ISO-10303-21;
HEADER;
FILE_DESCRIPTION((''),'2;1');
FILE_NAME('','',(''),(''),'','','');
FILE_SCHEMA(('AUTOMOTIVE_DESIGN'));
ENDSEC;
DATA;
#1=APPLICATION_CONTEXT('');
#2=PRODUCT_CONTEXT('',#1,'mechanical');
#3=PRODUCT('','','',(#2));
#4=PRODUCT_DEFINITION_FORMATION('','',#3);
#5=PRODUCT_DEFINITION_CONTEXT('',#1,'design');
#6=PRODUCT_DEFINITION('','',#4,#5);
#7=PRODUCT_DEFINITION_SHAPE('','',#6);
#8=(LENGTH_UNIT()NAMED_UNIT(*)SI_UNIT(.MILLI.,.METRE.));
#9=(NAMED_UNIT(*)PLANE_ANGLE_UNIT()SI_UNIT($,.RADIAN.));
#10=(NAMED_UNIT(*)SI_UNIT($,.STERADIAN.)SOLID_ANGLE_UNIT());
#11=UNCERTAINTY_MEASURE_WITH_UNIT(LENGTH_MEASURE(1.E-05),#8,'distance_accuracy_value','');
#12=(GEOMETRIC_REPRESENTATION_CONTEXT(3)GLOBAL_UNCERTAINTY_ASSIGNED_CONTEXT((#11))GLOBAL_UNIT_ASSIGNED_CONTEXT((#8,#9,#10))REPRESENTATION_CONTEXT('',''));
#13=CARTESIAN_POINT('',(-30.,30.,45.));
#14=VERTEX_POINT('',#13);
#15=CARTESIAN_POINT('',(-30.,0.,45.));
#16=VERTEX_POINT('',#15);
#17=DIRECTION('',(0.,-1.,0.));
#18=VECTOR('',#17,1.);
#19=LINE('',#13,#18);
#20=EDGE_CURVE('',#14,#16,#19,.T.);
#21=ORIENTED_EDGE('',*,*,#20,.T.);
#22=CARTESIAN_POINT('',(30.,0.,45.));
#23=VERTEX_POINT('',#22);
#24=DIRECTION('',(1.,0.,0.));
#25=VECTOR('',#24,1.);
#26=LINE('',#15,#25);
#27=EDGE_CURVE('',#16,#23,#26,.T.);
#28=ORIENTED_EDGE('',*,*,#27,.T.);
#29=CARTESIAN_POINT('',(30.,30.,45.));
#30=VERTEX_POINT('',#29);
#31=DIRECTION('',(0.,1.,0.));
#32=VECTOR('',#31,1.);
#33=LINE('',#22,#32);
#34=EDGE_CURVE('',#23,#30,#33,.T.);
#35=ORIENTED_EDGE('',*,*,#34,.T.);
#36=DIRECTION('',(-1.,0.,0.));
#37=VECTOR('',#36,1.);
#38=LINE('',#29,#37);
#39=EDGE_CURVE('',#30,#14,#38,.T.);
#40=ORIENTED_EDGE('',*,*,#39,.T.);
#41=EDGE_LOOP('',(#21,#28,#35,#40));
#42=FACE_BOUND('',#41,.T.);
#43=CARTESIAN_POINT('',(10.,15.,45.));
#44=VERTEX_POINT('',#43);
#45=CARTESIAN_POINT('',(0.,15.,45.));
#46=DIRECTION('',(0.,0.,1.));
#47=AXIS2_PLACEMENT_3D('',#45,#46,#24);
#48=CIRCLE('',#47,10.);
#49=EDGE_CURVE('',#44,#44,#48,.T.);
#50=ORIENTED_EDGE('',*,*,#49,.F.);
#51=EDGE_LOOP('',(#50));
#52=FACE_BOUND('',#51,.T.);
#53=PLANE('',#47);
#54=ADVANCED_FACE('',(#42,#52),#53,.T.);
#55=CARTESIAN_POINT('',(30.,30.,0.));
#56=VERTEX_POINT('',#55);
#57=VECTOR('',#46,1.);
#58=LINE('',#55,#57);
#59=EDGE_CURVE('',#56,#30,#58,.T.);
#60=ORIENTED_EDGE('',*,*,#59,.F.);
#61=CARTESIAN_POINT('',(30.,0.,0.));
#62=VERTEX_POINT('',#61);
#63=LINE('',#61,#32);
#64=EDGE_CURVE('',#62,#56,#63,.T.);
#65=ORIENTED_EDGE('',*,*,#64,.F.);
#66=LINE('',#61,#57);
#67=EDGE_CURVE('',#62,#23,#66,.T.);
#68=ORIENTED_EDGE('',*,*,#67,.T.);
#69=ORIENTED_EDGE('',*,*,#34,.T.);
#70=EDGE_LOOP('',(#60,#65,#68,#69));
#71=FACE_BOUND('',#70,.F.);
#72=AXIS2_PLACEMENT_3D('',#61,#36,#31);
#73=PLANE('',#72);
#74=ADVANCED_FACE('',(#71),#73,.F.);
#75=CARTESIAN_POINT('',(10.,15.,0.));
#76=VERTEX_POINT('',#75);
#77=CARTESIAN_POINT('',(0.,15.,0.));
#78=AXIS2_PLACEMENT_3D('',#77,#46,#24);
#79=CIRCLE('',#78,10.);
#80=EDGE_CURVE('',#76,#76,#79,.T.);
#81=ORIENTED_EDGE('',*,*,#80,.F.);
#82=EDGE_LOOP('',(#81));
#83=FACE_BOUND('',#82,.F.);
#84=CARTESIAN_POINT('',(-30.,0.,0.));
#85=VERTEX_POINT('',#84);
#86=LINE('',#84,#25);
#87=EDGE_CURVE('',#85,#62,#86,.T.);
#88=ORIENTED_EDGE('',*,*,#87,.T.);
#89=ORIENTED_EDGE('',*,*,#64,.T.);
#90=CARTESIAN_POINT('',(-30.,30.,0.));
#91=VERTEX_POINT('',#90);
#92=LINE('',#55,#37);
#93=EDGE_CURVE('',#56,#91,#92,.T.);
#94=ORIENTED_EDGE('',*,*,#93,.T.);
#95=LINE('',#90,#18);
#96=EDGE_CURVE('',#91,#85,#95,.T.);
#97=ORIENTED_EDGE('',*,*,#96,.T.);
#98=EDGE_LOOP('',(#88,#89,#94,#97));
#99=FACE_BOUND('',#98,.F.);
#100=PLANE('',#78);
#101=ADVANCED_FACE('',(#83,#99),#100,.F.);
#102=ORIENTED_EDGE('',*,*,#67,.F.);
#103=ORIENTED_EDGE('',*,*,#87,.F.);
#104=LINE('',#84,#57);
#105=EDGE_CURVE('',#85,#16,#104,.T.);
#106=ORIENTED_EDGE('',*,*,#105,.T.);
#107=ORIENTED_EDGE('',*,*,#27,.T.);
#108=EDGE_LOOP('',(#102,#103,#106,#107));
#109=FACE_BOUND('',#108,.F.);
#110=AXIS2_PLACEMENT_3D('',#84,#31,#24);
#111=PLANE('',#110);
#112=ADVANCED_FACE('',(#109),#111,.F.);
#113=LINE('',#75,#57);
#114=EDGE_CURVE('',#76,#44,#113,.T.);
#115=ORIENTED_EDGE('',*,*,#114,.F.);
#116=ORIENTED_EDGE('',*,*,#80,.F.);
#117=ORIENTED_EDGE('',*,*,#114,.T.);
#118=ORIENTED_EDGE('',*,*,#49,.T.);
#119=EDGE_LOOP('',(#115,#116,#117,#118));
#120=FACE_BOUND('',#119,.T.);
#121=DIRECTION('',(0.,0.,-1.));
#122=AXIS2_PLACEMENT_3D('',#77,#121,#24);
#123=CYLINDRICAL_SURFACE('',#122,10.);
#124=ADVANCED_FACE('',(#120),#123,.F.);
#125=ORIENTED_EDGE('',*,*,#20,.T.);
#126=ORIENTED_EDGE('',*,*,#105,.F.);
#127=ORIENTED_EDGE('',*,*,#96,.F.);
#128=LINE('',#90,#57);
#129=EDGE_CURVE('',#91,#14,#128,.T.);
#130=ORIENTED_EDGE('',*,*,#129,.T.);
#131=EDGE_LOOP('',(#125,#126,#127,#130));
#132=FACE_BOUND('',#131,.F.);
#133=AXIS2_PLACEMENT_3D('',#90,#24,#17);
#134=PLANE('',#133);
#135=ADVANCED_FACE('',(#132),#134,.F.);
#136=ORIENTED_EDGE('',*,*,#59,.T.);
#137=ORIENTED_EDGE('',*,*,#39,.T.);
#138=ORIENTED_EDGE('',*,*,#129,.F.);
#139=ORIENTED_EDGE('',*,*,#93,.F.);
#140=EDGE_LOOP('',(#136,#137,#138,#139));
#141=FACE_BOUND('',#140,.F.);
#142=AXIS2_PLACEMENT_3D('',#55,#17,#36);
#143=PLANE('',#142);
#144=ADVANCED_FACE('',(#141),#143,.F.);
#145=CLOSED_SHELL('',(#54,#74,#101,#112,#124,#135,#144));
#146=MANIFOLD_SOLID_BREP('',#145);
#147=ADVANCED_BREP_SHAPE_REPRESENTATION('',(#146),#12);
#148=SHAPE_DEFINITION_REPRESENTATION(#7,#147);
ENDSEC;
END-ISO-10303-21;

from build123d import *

# Parameters (mm, degrees)
F0_R     = 10
F1_DEPTH = 45


with BuildPart() as f1:
    # F0 (on Top) → F1 (new body)
    with BuildSketch(Plane.XY):
        Polygon((12.5, 30), (-12.5, 30), (-30, 30), (-30, 0), (-12.5, 0), (12.5, 0), (30, 0), (30, 30), align=None)
        with Locations((0, 15)):
            Circle(F0_R, mode=Mode.SUBTRACT)
    extrude(amount=F1_DEPTH)


solid = f1.part
